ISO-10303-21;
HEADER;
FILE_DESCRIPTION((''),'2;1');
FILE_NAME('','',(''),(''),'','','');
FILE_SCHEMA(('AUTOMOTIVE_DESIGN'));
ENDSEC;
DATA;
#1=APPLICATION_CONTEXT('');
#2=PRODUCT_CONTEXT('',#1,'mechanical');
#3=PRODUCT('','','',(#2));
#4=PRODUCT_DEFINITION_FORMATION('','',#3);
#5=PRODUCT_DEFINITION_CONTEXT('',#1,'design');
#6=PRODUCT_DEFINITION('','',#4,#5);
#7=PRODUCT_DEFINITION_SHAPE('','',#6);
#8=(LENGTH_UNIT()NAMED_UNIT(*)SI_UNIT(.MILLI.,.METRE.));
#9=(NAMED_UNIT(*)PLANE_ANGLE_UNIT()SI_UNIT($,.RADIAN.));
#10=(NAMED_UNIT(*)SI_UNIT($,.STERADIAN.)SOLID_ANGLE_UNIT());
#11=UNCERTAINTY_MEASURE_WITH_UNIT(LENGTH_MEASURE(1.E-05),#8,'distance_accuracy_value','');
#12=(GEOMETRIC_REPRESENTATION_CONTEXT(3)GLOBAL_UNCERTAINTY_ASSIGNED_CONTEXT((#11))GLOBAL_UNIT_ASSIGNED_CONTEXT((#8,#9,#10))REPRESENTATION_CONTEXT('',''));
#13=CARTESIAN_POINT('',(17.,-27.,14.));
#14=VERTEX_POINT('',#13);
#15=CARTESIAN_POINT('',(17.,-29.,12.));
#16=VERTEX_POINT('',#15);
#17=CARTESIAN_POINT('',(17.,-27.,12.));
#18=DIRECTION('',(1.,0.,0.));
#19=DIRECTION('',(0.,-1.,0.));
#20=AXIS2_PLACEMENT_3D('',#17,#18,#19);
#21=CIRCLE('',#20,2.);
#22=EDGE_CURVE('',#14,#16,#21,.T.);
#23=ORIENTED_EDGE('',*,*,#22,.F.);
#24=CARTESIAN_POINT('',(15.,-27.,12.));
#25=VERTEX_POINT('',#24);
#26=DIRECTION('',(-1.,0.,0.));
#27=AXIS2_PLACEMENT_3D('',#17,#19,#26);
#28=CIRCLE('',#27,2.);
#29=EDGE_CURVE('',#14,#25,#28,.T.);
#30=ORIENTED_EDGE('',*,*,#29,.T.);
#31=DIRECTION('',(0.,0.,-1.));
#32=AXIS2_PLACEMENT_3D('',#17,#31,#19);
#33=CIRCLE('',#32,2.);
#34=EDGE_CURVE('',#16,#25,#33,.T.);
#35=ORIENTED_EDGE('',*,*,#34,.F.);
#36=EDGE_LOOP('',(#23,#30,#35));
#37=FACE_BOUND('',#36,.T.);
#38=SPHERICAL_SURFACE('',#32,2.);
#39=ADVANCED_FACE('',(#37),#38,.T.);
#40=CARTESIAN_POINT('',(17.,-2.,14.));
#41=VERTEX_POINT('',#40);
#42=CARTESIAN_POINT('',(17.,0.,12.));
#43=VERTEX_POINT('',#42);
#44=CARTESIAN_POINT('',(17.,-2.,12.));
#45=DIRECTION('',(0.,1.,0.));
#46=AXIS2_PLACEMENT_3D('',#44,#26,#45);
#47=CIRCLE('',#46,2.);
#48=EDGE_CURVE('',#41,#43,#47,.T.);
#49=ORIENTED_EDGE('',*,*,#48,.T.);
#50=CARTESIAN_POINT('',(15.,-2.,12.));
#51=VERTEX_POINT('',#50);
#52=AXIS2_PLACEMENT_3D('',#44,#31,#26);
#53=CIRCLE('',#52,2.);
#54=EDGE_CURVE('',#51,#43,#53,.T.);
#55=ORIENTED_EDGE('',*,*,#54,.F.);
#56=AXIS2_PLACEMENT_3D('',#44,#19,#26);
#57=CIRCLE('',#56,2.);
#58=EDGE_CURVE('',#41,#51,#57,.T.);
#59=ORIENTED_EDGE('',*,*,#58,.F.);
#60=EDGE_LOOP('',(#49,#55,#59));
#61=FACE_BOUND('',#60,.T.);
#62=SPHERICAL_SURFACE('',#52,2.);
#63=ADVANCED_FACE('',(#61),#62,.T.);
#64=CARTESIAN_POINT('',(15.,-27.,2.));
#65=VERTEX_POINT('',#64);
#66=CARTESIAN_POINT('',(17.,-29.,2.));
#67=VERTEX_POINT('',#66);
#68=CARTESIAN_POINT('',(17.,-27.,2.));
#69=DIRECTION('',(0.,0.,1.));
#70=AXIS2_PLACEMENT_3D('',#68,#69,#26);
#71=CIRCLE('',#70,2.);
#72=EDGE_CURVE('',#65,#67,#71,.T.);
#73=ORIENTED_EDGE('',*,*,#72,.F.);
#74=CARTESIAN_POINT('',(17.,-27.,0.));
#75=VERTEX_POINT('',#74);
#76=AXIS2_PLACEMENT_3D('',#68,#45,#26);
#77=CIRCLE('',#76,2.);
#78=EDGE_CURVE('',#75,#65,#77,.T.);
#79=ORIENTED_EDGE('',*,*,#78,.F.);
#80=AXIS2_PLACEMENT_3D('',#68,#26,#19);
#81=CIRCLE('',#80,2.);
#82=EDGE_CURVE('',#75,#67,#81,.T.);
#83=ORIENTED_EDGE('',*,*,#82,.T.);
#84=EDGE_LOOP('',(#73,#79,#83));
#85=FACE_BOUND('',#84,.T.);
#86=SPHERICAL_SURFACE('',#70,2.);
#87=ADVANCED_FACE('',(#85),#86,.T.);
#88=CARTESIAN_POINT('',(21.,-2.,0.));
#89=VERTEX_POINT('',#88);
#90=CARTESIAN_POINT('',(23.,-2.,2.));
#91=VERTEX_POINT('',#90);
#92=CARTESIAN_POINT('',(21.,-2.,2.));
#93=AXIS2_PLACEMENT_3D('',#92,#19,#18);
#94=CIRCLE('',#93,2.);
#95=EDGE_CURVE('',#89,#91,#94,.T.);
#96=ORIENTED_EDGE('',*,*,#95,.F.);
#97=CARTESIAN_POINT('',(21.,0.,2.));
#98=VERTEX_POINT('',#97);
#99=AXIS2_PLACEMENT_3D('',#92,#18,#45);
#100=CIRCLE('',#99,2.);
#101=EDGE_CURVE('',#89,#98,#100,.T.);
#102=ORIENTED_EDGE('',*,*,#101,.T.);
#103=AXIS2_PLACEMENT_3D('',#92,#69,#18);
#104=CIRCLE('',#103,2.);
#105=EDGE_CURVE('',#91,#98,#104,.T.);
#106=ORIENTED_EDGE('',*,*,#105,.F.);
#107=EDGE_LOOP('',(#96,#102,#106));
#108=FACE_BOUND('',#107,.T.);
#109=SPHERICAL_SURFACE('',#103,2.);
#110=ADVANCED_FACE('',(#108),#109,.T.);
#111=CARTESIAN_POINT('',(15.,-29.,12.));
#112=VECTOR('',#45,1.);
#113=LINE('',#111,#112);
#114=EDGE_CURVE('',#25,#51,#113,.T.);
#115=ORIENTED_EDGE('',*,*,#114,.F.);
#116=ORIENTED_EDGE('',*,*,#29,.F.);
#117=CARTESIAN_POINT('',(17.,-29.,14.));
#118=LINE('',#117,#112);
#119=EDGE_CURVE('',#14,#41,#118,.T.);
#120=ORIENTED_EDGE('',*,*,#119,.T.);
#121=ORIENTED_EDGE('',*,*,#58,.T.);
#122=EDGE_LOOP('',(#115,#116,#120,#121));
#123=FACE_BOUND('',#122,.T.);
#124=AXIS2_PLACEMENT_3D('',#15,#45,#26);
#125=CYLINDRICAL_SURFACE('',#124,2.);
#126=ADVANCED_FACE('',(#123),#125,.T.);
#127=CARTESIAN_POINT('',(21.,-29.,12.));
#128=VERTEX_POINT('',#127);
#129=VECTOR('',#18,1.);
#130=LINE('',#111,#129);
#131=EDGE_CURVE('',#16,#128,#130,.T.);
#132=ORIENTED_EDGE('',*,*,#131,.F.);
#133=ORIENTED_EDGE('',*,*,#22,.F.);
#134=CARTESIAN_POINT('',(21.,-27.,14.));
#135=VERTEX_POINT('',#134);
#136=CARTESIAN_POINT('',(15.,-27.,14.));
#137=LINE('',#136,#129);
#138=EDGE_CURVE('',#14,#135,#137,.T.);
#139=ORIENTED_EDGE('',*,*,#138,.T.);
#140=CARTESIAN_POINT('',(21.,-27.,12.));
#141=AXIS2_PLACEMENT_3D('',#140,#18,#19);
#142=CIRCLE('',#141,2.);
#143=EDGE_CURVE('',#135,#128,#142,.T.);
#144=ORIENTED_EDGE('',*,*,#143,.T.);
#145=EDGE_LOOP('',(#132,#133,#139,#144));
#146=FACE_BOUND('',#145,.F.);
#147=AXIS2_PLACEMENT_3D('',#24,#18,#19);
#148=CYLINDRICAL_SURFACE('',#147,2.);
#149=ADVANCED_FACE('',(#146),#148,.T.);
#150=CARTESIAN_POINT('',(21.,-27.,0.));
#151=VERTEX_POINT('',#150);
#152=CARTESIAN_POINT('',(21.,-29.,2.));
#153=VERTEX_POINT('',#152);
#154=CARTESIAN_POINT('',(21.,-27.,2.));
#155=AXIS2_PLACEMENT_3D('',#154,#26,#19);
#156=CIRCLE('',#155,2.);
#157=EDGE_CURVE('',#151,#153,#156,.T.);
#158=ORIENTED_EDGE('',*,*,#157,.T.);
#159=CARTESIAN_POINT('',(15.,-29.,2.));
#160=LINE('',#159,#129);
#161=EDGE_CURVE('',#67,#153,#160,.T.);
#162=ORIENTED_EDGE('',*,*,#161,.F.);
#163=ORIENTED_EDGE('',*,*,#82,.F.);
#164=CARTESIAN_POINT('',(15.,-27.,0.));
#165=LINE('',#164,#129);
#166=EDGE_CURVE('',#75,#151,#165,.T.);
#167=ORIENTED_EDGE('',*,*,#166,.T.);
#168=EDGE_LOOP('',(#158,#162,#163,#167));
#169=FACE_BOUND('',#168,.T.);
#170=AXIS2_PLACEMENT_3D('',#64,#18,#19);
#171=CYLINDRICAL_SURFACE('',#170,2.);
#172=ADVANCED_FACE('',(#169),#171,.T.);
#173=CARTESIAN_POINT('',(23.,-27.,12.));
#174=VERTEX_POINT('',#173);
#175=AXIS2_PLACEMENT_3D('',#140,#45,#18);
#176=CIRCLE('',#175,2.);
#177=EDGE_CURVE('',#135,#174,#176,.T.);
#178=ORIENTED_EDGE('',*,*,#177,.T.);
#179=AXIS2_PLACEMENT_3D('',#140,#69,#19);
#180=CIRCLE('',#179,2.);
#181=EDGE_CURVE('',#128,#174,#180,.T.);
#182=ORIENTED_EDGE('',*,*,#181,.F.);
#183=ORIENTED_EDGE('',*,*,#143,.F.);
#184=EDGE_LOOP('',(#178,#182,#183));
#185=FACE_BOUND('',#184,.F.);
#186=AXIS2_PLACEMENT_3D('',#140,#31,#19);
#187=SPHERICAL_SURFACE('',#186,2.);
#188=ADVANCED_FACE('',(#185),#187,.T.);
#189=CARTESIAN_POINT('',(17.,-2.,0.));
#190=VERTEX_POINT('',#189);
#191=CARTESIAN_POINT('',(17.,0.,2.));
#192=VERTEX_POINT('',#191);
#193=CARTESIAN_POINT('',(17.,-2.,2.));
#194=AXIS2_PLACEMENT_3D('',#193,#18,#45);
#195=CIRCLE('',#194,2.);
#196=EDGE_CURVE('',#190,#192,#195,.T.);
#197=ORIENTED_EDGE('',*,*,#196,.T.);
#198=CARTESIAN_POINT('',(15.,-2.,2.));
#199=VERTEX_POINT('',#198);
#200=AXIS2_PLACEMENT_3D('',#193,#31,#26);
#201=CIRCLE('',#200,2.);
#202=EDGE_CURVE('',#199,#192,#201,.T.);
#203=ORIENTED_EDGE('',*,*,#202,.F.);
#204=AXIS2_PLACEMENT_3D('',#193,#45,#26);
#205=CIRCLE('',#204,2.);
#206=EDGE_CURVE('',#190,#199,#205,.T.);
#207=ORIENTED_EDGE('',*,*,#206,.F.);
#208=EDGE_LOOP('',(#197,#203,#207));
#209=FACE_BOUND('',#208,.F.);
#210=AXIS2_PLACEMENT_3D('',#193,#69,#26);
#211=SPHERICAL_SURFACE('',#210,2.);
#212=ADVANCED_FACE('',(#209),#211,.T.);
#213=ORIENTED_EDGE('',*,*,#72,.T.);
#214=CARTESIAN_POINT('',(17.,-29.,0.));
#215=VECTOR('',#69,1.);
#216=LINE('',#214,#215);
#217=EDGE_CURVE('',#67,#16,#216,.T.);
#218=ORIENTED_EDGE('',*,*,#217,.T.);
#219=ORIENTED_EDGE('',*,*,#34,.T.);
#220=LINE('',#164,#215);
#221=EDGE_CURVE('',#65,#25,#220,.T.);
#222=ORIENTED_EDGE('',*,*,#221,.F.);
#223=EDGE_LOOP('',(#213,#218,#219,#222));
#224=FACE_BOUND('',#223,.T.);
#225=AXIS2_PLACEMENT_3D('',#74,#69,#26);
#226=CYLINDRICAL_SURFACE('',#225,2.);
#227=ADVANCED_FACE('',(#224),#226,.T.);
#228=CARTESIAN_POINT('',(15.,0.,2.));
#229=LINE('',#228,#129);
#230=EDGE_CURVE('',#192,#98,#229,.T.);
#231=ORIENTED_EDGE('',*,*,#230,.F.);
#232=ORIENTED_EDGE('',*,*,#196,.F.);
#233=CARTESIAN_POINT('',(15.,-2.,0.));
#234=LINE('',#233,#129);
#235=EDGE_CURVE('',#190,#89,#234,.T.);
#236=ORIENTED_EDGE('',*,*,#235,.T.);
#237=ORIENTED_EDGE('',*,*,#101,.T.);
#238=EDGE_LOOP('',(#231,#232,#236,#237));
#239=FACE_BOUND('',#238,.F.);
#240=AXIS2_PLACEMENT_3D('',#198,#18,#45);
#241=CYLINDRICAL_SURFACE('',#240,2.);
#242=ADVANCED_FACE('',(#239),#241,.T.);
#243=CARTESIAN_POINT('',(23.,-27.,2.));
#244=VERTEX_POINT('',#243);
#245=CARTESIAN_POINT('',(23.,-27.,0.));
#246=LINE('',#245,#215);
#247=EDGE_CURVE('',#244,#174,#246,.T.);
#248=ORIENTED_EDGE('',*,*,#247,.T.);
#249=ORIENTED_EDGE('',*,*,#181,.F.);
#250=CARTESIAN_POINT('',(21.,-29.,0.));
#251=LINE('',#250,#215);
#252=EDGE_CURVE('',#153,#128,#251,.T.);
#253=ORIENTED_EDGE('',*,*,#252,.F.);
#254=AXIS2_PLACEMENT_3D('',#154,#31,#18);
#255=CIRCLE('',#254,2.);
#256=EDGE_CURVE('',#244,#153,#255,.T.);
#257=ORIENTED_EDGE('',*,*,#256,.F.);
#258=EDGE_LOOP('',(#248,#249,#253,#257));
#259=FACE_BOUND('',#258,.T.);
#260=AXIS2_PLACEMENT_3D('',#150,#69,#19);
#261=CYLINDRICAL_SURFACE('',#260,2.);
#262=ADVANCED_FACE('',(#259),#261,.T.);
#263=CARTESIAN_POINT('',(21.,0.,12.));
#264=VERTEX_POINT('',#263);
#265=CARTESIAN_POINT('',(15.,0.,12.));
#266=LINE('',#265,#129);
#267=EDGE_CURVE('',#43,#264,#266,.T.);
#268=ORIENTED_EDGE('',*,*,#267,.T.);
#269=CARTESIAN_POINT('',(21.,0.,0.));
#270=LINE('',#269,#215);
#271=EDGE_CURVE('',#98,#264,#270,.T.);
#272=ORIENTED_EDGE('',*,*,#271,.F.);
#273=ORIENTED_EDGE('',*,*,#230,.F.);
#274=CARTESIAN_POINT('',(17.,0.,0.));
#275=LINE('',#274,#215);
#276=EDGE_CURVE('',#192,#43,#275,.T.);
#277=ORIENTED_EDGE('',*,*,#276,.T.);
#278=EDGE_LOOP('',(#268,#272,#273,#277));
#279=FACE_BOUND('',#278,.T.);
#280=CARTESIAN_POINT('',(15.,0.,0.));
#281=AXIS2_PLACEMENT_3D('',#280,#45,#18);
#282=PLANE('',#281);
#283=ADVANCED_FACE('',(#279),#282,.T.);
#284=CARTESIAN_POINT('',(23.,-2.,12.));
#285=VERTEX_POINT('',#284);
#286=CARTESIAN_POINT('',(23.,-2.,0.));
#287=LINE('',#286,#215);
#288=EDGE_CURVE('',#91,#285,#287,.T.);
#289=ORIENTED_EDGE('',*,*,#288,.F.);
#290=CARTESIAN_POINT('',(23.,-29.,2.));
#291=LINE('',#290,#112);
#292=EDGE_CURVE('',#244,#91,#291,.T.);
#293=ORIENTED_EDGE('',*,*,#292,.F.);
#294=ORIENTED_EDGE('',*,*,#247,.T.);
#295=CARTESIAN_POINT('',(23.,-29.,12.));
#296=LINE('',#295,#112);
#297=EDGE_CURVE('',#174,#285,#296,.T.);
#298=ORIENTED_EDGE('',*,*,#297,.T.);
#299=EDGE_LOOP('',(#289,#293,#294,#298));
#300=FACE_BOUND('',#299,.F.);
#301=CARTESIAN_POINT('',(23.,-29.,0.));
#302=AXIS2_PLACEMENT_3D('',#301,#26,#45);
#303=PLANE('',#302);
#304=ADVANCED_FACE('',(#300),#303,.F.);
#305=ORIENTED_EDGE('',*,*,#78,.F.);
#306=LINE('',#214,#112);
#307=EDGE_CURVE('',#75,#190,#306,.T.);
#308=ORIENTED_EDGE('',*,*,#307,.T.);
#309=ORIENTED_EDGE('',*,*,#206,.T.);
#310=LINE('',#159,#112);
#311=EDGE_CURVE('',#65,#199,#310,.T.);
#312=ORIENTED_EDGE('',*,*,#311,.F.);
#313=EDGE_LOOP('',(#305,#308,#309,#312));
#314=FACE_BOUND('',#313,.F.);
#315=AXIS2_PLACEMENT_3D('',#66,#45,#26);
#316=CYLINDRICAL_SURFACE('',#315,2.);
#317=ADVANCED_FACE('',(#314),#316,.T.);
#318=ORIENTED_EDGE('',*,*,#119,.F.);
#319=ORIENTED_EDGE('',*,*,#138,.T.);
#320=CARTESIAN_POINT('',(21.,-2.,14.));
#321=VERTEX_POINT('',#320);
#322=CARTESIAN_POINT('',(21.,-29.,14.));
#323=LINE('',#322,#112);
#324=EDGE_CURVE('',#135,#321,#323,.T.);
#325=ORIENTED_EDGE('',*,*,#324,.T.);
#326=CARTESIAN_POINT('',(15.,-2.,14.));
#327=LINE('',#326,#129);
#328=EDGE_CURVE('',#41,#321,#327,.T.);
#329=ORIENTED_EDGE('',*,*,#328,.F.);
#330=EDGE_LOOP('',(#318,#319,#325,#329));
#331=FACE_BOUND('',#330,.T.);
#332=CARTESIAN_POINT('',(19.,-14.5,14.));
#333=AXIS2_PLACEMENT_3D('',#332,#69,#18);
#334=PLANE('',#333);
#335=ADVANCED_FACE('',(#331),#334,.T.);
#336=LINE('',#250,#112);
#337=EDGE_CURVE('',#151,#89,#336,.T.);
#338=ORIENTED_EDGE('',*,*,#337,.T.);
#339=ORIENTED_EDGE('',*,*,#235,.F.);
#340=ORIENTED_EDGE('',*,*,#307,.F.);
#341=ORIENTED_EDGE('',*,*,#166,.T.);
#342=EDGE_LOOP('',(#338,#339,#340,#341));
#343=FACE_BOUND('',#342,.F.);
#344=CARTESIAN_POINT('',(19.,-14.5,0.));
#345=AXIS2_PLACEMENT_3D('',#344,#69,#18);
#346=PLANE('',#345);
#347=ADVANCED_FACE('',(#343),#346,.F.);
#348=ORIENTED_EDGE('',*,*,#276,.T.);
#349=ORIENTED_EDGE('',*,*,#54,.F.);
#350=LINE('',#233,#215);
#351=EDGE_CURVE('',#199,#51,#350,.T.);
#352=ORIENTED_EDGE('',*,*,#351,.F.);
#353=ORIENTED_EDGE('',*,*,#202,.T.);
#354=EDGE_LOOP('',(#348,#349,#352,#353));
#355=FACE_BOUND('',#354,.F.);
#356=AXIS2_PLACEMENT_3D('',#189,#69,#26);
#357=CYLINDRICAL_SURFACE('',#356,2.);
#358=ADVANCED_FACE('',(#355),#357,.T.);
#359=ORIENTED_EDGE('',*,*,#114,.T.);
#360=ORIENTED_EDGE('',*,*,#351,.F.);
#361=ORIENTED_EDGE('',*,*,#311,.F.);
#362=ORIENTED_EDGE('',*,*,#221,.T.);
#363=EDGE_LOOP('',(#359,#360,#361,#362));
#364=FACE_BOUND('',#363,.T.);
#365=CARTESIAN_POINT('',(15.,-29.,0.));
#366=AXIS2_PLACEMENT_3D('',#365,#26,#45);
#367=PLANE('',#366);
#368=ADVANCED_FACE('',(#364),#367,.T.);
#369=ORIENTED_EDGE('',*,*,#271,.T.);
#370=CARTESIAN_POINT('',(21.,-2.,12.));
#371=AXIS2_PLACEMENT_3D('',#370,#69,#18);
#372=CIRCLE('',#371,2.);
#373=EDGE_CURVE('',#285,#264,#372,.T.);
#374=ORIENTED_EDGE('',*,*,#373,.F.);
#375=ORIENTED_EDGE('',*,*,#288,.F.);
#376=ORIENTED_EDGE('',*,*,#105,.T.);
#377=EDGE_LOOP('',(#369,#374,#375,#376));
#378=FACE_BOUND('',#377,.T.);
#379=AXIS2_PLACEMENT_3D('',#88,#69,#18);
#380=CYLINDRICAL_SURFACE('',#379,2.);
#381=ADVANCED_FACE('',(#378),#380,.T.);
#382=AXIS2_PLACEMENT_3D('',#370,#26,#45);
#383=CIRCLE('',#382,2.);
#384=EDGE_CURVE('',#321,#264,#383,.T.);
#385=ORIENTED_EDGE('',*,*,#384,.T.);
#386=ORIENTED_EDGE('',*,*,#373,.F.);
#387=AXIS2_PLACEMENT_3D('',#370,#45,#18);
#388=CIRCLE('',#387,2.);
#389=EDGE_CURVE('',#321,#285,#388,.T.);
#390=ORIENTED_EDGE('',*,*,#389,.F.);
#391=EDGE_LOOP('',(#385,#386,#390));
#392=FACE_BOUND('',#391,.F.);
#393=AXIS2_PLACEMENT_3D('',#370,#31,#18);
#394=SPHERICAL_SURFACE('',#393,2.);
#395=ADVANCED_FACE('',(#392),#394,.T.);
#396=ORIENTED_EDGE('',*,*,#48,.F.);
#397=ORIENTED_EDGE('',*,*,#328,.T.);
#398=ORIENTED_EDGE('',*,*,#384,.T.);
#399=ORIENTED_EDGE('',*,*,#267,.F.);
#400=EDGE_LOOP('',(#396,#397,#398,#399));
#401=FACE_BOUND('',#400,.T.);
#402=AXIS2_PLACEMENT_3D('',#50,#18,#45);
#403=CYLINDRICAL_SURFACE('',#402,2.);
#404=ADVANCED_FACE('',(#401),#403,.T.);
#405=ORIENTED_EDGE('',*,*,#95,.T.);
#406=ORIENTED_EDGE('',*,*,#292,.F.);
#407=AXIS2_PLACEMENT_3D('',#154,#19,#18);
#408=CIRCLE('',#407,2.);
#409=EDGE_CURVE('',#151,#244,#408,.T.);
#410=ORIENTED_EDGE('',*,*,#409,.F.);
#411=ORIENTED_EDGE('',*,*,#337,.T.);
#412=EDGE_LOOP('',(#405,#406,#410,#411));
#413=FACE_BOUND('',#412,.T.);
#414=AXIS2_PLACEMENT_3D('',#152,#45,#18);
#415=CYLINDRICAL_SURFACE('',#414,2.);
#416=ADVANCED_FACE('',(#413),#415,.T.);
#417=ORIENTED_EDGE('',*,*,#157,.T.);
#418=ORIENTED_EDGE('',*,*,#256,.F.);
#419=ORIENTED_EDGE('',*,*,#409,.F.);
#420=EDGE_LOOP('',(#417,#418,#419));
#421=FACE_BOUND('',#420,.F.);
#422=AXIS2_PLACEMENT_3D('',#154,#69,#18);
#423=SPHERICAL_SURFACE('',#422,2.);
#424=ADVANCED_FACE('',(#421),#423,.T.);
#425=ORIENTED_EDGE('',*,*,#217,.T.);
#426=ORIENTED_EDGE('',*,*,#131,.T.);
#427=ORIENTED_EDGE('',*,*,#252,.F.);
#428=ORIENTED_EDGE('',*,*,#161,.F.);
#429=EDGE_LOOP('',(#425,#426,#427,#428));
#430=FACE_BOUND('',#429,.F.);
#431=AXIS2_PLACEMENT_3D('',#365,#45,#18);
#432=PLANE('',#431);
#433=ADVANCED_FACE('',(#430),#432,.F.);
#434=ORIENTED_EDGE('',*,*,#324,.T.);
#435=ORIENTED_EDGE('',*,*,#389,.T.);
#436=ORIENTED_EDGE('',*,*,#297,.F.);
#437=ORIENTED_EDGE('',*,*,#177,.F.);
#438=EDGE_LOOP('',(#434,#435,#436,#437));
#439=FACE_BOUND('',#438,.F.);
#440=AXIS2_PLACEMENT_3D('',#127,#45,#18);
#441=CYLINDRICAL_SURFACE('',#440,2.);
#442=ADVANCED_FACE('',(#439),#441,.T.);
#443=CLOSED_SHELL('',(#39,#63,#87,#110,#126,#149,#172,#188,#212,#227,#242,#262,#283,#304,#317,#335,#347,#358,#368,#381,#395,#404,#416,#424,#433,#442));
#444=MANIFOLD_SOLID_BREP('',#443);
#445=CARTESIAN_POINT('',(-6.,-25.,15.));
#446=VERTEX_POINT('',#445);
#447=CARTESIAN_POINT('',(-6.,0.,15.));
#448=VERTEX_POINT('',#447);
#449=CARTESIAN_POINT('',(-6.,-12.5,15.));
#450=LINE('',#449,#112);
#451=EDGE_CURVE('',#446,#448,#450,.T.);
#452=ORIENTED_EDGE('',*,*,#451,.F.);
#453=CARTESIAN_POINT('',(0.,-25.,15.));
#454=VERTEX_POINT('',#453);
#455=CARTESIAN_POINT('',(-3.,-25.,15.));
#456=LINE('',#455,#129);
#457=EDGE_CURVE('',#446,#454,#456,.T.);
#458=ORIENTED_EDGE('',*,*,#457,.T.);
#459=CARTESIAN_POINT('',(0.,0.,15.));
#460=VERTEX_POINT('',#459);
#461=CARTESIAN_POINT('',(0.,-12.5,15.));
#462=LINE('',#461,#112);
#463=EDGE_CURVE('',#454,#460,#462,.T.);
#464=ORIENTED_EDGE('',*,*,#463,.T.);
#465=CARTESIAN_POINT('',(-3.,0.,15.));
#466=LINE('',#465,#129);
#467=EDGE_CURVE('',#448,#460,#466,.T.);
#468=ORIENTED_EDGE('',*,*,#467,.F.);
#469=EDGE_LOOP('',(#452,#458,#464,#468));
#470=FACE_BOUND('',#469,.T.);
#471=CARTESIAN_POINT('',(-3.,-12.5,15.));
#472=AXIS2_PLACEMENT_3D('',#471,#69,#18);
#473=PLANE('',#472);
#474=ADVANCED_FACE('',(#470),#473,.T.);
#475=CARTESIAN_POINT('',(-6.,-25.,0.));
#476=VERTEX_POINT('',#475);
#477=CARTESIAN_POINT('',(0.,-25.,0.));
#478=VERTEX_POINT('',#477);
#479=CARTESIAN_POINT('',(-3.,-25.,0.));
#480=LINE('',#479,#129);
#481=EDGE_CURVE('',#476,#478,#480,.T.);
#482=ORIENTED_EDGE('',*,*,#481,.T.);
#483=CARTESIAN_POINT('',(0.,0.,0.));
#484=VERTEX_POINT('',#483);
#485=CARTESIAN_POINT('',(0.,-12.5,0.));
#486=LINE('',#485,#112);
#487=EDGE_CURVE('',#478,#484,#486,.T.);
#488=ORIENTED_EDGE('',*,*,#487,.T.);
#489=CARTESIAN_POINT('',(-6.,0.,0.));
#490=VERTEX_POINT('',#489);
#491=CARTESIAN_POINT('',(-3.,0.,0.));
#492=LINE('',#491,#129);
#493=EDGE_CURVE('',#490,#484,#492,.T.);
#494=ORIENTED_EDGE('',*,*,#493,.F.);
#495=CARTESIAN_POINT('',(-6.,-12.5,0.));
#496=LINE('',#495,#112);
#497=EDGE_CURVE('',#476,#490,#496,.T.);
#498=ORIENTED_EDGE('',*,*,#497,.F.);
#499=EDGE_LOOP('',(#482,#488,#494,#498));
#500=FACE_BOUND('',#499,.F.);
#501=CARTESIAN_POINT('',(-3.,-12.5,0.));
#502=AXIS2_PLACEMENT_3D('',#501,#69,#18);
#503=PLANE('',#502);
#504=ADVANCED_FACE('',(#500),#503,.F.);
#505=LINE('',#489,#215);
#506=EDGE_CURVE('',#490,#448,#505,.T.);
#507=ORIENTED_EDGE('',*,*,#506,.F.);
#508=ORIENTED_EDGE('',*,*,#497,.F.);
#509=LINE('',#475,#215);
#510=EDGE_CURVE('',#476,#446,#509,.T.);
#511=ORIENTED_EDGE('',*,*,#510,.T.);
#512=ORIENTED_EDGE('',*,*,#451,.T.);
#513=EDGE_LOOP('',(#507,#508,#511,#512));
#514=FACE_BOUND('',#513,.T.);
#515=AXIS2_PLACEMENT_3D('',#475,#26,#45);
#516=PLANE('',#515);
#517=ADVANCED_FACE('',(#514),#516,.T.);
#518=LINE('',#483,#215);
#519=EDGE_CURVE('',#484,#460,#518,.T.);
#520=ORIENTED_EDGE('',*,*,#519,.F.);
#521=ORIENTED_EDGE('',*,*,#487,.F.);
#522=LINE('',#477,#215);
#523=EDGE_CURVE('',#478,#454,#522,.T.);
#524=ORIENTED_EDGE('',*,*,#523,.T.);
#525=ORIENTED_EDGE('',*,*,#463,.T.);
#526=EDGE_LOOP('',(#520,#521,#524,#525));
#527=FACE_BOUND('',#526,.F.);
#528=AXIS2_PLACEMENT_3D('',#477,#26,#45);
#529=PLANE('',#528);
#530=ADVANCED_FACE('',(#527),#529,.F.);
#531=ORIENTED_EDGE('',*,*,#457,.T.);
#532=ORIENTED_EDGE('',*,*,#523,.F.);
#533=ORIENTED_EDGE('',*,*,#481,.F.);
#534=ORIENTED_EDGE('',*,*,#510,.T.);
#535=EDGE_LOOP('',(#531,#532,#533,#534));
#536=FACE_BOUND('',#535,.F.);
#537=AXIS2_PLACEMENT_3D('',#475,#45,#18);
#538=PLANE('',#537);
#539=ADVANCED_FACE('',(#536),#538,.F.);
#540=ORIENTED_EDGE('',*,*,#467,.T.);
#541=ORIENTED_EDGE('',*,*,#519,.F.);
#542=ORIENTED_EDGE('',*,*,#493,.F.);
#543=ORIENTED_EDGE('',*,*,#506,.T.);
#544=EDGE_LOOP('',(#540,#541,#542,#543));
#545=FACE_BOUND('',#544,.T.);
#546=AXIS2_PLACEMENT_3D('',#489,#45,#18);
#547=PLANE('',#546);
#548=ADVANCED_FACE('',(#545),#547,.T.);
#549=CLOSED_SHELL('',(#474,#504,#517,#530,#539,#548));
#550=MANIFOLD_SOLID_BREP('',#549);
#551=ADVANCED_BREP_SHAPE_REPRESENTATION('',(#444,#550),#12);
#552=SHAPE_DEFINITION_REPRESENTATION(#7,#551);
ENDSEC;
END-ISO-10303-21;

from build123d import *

# Parameters (mm, degrees)
F0_W     = 6
F0_H     = 25
F1_DEPTH = 15
F2_W     = 8
F2_H     = 29
F3_DEPTH = 14
F4_R     = 2


with BuildPart() as f1:
    # F0 (on Top) → F1 (new body)
    with BuildSketch(Plane.XY):
        with Locations((-3, -12.5)):
            Rectangle(F0_W, F0_H)
    extrude(amount=F1_DEPTH)


with BuildPart() as f3:
    # F2 (on Top) → F3 (new body)
    with BuildSketch(Plane.XY):
        with Locations((19, -14.5)):
            Rectangle(F2_W, F2_H)
    extrude(amount=F3_DEPTH)

    # F4
    f4_edges = [f3.edges().sort_by_distance(p)[0] for p in [
        (23, -29, 7),
        (15, -29, 7),
        (23, 0, 7),
        (15, 0, 7),
        (19, -29, 14),
        (23, -14.5, 14),
        (15, -14.5, 14),
        (19, 0, 14),
        (15, -14.5, 0),
        (23, -14.5, 0),
        (19, -29, 0),
        (19, 0, 0),
    ]]
    fillet(f4_edges, radius=F4_R)


solid = Compound([f1.part, f3.part])
